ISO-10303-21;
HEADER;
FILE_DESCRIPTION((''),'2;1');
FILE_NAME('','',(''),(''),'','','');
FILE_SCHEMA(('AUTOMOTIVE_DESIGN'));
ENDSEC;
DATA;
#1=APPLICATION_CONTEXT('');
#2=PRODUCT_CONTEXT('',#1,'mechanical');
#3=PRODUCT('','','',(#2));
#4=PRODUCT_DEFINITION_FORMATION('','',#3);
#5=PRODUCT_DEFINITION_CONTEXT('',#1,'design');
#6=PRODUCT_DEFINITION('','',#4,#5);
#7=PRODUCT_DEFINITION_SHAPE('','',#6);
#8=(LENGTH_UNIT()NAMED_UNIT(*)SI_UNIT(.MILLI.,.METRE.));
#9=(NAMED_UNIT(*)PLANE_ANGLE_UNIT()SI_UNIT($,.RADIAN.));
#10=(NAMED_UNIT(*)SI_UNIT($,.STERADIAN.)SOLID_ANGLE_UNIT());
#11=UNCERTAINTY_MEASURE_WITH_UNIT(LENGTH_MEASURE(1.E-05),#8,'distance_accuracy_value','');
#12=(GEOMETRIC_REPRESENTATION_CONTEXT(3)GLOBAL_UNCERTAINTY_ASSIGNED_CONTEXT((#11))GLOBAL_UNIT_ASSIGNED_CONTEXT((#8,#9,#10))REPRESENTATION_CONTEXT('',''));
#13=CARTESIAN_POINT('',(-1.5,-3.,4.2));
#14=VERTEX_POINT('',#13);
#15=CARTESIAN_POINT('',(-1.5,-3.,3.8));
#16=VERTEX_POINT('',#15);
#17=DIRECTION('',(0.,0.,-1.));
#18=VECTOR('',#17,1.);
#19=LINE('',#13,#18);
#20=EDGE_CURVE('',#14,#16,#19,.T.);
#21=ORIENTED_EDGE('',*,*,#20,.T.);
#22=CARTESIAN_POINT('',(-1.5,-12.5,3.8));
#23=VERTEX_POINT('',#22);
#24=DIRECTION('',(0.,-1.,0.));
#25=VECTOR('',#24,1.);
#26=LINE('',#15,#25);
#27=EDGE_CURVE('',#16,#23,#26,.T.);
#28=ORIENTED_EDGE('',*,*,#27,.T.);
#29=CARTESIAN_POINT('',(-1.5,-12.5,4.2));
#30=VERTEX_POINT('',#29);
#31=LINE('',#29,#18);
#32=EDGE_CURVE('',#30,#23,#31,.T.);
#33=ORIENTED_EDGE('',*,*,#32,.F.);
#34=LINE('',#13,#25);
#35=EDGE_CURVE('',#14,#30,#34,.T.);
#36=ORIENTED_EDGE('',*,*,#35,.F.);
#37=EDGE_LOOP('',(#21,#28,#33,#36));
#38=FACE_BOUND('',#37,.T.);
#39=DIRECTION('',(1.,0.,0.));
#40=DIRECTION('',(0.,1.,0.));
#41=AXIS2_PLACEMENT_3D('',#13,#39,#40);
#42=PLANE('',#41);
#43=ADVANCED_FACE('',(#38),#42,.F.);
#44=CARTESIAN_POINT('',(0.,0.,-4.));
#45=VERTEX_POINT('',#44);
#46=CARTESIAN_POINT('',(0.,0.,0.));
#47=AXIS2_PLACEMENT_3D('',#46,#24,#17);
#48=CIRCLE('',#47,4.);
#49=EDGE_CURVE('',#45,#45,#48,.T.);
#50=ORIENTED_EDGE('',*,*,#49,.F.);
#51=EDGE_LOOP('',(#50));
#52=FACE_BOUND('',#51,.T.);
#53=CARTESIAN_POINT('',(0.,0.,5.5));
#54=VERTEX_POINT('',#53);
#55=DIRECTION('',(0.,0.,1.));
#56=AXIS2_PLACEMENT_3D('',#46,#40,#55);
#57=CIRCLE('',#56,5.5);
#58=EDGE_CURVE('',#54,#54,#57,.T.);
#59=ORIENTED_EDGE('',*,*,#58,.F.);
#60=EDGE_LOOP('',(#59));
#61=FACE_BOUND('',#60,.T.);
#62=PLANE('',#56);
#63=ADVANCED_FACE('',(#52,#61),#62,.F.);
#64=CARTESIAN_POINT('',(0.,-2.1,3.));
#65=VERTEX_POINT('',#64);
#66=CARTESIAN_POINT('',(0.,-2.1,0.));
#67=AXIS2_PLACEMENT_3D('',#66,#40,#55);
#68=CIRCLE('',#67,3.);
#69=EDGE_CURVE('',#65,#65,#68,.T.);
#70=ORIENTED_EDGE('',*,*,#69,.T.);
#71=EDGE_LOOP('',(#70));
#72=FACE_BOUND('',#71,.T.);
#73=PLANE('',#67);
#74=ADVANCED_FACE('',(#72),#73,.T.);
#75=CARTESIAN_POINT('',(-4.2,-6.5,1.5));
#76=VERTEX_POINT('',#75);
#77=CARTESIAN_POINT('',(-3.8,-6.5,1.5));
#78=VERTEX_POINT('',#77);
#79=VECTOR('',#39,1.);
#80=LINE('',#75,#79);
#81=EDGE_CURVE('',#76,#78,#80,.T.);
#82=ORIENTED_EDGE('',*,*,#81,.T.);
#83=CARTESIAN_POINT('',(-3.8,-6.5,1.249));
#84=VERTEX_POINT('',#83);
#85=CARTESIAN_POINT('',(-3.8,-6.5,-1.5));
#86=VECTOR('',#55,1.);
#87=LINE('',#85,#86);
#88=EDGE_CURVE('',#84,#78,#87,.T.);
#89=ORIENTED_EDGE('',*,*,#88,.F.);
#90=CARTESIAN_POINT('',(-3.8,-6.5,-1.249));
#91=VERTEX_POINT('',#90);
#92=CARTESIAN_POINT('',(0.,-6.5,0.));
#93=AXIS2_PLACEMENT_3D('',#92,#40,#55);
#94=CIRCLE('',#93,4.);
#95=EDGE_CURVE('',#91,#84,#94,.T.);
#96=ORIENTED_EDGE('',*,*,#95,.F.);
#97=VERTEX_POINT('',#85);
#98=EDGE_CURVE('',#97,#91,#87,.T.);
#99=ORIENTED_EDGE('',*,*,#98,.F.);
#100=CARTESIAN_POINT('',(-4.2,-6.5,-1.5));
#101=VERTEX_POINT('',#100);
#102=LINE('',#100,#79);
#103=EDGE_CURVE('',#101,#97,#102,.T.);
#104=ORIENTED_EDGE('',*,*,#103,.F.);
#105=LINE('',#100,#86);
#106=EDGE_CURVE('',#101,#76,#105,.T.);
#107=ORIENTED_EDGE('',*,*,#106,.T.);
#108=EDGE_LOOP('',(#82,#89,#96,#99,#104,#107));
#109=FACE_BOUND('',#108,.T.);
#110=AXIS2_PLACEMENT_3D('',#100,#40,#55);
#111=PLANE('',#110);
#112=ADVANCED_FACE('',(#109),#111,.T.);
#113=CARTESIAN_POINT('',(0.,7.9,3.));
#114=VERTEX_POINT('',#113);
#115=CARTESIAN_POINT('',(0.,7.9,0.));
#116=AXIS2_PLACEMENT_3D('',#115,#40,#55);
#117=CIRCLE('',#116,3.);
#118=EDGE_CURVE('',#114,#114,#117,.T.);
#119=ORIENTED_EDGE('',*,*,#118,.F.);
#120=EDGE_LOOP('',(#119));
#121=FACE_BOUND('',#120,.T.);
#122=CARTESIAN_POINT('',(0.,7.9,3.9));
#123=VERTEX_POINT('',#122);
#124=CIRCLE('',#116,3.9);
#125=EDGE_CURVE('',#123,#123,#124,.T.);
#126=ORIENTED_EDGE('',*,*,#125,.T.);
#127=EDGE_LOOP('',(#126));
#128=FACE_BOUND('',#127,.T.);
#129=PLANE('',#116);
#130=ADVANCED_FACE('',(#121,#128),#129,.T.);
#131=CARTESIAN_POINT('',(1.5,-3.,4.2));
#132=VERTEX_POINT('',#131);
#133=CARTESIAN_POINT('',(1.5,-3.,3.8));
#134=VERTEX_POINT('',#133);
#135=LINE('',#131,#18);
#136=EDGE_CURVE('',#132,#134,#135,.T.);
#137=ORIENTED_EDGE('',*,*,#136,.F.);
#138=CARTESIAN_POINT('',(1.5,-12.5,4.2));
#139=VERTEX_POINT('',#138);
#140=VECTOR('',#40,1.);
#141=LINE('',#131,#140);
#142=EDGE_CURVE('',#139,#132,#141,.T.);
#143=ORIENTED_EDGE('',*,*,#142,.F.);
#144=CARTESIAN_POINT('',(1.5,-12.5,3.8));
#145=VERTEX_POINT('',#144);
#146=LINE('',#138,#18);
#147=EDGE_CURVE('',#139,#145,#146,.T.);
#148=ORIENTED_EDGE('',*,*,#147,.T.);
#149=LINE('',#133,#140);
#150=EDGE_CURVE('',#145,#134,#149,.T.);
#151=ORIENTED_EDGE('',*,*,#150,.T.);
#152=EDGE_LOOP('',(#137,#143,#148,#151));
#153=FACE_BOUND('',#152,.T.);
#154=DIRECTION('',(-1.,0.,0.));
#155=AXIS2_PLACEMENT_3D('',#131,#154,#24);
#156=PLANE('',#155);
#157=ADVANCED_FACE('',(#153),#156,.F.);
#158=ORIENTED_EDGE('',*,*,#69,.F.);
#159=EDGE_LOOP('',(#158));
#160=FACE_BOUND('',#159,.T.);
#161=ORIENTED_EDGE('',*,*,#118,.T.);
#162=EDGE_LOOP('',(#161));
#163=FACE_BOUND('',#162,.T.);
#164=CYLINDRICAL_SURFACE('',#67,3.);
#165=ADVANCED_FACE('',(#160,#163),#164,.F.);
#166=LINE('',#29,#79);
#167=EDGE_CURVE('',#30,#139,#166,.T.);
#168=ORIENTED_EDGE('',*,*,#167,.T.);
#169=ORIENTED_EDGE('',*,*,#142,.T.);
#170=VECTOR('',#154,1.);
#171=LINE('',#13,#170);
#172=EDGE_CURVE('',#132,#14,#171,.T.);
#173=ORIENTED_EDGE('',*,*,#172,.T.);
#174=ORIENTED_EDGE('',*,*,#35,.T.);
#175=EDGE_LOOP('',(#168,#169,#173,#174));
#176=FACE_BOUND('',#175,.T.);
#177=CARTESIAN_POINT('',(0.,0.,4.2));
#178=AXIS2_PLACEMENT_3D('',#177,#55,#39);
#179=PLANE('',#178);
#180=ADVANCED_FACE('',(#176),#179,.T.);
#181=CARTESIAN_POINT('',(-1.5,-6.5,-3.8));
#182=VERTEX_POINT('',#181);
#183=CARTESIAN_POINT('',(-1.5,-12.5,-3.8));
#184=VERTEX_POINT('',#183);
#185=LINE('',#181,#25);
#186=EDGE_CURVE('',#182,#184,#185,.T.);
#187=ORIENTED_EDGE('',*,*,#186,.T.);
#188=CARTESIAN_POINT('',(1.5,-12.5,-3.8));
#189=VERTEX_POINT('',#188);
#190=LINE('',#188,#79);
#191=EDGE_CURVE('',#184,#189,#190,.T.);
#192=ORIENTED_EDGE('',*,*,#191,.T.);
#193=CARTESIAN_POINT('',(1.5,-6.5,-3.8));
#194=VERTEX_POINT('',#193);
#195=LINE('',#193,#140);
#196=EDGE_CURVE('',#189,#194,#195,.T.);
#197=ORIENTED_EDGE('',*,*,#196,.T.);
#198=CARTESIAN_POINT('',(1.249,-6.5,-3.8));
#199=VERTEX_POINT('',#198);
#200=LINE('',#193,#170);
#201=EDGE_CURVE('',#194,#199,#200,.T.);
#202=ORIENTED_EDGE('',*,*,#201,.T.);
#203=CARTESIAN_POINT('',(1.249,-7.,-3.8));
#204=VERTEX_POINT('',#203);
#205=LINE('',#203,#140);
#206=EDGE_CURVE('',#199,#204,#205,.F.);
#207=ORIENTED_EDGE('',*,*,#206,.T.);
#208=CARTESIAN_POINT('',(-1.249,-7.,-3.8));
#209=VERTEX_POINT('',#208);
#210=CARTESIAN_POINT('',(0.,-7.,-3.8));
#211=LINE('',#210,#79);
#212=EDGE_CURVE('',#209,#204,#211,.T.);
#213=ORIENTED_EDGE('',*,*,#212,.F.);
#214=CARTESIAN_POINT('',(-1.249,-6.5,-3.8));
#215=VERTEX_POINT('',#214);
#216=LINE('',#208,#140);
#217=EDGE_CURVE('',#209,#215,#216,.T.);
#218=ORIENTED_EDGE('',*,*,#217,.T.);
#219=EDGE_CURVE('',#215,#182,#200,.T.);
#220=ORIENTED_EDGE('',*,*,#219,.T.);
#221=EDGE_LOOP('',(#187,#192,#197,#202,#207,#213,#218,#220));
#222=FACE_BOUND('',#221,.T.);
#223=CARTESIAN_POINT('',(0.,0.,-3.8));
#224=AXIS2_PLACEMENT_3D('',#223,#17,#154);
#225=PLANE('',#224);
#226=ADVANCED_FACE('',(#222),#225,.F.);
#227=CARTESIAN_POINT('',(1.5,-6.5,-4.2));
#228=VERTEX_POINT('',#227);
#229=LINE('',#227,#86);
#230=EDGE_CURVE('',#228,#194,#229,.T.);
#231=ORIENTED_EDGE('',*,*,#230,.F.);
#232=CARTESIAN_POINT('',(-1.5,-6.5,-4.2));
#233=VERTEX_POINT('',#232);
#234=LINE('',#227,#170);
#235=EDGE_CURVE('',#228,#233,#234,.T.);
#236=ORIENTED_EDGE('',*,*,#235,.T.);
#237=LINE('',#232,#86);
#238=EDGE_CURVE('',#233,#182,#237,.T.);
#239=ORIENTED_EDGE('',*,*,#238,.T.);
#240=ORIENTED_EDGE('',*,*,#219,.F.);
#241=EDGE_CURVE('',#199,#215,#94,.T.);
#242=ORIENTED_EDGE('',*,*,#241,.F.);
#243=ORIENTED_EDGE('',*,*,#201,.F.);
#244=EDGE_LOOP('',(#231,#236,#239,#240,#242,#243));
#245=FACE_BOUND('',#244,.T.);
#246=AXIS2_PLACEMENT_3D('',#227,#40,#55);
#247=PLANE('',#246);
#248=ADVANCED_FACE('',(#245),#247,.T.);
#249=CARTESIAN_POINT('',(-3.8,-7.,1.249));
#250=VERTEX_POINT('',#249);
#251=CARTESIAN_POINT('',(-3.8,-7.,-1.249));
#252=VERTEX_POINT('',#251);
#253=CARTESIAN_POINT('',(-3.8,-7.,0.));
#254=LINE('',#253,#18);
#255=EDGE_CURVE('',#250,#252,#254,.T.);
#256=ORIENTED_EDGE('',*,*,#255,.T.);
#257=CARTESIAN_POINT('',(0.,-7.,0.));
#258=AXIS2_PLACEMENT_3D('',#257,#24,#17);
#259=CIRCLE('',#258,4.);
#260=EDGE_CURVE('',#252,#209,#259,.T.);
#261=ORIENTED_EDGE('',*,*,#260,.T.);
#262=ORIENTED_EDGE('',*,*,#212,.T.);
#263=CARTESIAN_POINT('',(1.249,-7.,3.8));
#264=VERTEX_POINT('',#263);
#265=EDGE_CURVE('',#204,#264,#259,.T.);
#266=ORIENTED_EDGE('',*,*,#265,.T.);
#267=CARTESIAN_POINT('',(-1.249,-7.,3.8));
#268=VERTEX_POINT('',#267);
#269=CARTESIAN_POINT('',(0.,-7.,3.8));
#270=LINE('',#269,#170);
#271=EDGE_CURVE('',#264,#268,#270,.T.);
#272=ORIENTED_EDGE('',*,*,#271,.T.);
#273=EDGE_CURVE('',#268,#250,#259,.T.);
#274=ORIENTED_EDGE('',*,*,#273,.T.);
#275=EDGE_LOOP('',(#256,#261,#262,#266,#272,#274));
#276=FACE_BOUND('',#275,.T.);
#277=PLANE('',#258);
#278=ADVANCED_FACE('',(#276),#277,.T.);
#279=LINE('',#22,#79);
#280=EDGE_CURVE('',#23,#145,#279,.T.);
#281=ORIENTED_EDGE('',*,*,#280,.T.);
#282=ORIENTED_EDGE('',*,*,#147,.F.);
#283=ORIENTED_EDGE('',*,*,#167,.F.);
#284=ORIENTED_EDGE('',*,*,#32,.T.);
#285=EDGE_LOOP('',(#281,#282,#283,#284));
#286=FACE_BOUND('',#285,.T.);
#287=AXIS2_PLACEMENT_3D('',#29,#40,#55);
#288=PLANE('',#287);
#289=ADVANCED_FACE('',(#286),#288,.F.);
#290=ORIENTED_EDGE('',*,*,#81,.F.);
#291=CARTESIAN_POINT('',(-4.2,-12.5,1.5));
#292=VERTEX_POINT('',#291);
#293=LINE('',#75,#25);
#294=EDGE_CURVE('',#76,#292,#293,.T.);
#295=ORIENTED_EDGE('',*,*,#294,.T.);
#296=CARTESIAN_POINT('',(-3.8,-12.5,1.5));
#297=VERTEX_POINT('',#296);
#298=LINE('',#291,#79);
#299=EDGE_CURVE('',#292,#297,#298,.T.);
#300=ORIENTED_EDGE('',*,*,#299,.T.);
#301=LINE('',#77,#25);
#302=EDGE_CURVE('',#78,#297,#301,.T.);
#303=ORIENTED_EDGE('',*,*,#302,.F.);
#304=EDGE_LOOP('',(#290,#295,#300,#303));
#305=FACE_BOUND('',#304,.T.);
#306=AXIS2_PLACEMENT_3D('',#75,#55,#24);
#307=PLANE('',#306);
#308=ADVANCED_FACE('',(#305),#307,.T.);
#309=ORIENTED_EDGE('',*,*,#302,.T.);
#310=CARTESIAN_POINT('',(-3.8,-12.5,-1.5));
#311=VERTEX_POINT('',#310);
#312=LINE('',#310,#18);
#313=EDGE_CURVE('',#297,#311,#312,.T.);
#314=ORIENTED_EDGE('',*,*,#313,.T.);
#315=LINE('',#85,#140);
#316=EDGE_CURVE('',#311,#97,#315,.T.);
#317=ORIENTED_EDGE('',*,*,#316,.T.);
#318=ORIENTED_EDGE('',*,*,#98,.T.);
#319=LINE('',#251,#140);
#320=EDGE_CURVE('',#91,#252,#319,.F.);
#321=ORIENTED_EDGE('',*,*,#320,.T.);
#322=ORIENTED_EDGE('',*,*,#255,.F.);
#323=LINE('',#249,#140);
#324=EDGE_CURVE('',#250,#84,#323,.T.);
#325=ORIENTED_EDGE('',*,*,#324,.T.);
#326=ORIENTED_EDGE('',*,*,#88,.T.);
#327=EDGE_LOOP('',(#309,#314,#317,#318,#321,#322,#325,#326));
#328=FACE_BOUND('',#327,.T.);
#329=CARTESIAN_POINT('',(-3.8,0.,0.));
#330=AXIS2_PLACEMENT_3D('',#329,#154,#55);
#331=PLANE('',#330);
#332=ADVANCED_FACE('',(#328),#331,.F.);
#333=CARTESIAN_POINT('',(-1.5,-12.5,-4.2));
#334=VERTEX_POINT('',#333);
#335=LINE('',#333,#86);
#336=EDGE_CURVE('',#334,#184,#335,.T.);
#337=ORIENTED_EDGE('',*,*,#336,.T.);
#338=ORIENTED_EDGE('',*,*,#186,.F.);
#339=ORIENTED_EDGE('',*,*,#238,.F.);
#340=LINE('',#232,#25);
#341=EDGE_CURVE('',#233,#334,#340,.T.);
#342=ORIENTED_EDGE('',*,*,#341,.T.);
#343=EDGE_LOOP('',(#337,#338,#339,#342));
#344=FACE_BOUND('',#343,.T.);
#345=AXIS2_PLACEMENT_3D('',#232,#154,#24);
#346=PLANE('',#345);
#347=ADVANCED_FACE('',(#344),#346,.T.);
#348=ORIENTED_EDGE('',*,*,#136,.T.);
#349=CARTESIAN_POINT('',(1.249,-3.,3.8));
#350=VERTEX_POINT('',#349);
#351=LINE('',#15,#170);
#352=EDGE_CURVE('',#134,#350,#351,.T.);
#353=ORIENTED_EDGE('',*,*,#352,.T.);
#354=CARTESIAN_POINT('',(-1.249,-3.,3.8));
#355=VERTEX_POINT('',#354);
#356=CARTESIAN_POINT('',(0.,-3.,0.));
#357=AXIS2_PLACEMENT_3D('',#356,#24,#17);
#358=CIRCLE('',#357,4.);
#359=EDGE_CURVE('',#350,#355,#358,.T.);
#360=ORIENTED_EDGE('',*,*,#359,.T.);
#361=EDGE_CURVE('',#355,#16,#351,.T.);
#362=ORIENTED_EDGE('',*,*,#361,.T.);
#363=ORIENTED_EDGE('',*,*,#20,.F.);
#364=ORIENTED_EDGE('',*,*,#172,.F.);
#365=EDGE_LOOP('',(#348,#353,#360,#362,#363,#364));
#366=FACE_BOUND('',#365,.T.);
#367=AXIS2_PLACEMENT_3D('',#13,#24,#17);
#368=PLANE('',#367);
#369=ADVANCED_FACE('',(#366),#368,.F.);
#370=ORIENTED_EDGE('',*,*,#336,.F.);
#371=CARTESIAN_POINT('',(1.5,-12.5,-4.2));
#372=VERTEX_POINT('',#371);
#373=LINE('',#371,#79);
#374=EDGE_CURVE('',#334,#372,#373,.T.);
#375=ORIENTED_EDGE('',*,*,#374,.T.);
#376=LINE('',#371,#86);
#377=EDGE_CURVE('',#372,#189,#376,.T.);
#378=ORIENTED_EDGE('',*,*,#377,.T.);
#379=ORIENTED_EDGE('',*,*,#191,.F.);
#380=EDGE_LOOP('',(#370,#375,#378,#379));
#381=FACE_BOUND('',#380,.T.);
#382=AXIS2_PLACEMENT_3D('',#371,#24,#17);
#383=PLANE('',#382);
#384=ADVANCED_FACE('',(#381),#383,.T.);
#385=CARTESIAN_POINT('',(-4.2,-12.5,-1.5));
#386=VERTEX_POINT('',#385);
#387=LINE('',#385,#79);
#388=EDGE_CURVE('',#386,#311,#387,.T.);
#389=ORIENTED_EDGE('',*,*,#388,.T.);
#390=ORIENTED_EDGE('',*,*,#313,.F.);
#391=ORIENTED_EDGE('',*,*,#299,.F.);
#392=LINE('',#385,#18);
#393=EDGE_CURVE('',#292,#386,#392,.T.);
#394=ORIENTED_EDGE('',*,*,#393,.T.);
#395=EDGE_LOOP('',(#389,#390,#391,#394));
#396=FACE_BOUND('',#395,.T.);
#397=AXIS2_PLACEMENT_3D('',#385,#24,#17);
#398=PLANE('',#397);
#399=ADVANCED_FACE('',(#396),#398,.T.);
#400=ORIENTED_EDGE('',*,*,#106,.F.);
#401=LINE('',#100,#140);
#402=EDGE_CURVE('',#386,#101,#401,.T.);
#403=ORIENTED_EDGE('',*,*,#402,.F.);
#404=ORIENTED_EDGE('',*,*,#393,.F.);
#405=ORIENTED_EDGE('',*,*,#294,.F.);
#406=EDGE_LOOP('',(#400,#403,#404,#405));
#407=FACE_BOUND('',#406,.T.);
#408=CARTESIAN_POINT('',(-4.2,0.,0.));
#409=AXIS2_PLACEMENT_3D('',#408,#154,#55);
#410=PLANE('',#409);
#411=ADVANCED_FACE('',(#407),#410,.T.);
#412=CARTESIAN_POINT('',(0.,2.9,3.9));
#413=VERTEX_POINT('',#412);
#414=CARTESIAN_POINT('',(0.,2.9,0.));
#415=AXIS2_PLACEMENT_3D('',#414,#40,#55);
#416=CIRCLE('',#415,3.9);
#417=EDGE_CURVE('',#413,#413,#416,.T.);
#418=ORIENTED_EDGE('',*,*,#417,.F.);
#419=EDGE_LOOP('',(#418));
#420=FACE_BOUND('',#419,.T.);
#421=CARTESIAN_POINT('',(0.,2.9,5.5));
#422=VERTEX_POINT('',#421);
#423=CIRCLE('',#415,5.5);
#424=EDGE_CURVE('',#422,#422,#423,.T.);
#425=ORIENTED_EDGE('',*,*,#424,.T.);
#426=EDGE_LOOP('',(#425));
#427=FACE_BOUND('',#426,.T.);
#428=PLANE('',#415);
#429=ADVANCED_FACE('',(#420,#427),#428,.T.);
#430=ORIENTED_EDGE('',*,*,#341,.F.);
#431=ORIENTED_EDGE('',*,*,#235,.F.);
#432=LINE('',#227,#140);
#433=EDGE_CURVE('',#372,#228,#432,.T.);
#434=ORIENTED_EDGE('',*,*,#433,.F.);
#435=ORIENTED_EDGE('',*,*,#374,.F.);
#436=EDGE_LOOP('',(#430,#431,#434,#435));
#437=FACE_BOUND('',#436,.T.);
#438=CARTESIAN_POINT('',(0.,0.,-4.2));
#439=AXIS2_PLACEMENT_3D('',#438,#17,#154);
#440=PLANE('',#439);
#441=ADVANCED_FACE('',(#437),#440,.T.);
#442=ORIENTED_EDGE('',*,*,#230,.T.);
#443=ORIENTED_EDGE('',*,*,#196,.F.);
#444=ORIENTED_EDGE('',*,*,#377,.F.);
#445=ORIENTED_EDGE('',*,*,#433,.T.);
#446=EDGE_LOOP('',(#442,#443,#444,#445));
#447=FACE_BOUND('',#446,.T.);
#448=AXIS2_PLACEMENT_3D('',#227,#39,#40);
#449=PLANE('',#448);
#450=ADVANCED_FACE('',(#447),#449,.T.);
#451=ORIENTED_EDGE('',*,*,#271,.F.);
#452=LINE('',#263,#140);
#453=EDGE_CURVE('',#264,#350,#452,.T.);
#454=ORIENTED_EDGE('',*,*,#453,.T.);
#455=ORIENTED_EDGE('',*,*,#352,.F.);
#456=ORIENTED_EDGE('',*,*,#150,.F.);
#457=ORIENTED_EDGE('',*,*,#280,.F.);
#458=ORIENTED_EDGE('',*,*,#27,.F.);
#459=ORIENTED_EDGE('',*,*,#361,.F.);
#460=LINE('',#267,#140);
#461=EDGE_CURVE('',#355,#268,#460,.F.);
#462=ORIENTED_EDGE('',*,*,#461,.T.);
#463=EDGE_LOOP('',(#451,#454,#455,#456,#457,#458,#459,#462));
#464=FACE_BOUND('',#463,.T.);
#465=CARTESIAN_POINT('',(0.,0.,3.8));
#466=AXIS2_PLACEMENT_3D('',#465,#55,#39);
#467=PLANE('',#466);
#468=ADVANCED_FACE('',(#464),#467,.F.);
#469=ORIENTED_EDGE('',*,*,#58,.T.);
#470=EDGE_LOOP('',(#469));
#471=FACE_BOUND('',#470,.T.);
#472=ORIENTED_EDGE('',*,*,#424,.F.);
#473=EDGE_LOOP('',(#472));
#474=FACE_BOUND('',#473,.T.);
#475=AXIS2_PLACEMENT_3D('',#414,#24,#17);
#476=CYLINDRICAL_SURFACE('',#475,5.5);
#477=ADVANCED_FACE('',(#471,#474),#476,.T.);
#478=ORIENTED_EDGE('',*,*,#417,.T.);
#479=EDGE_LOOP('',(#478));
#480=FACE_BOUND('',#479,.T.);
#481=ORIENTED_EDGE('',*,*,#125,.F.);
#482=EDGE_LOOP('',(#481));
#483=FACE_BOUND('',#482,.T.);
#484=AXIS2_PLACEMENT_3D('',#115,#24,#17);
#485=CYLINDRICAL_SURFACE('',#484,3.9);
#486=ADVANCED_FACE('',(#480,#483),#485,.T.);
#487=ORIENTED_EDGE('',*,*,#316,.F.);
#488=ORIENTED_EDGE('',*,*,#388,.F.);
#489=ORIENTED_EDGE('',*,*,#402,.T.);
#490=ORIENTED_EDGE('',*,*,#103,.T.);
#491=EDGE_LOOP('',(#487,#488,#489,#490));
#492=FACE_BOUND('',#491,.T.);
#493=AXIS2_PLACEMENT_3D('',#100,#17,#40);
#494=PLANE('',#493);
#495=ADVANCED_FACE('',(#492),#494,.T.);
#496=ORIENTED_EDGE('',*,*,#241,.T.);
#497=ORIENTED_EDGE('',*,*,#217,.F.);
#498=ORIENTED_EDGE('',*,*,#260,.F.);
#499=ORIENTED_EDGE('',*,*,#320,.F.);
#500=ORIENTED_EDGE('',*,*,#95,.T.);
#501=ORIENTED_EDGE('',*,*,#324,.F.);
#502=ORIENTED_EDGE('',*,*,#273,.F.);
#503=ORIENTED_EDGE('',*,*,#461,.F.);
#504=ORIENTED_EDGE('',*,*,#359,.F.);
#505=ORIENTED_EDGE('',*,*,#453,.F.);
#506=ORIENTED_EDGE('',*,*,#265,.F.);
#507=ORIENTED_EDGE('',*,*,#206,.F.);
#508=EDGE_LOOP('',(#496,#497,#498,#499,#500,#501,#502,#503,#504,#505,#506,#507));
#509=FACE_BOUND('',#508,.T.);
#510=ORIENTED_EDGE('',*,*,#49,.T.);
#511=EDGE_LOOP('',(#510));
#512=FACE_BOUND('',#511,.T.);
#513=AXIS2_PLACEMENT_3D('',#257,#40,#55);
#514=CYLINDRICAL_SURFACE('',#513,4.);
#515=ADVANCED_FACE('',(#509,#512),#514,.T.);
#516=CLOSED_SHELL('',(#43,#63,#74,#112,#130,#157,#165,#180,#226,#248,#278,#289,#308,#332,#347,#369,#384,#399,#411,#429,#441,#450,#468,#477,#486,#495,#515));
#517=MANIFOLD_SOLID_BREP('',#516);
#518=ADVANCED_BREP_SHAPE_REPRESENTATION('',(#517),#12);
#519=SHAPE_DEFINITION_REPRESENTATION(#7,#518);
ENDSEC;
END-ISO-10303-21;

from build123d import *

# Parameters (mm, degrees)
SCHIZZO1_R                   = 5.5
ESTRUSIONE_ESTRUSIONE1_DEPTH = 2.9
SCHIZZO2_R                   = 3.9
ESTRUSIONE_ESTRUSIONE2_DEPTH = 5
SCHIZZO3_R                   = 4
ESTRUSIONE_ESTRUSIONE3_DEPTH = 7
SCHIZZO4_R                   = 3
TAGLIO_ESTRUSIONE1_DEPTH     = 10
SCHIZZO5_W                   = 3
SCHIZZO5_H                   = 9.5
ESTRUSIONE_ESTRUSIONE4_DEPTH = 0.4
SCHIZZO7_W                   = 3
SCHIZZO7_H                   = 6
ESTRUSIONE_ESTRUSIONE5_DEPTH = 0.4
SCHIZZO8_W                   = 3
SCHIZZO8_H                   = 6
ESTRUSIONE_ESTRUSIONE6_DEPTH = 0.4


with BuildPart() as part:
    # Schizzo1 → Estrusione-Estrusione1 (new body)
    with BuildSketch(Plane(origin=(0, 0, 0), x_dir=(1, 0, 0), z_dir=(0, 1, 0))):
        with Locations(Location((0, 0, 0), (0, 0, 270))):
            Circle(SCHIZZO1_R)
    extrude(amount=ESTRUSIONE_ESTRUSIONE1_DEPTH)

    # Schizzo2 → Estrusione-Estrusione2 (add)
    with BuildSketch(Plane(origin=(0, 2.9, 0), x_dir=(1, 0, 0), z_dir=(0, 1, 0))):
        with Locations(Location((0, 0, 0), (0, 0, 270))):
            Circle(SCHIZZO2_R)
    extrude(amount=ESTRUSIONE_ESTRUSIONE2_DEPTH)

    # Schizzo3 → Estrusione-Estrusione3 (add)
    with BuildSketch(Plane.XZ):
        with Locations(Location((0, 0, 0), (0, 0, 270))):
            Circle(SCHIZZO3_R)
    extrude(amount=ESTRUSIONE_ESTRUSIONE3_DEPTH)

    # Schizzo4 → Taglio-Estrusione1 (cut)
    with BuildSketch(Plane(origin=(0, 7.9, 0), x_dir=(1, 0, 0), z_dir=(0, 1, 0))):
        with Locations(Location((0, 0, 0), (0, 0, 270))):
            Circle(SCHIZZO4_R)
    extrude(amount=-TAGLIO_ESTRUSIONE1_DEPTH, mode=Mode.SUBTRACT)

    # Schizzo5 → Estrusione-Estrusione4 (add)
    with BuildSketch(Plane.XY.offset(3.8)):
        with Locations((0, -7.75)):
            Rectangle(SCHIZZO5_W, SCHIZZO5_H)
    extrude(amount=ESTRUSIONE_ESTRUSIONE4_DEPTH)

    # Schizzo7 → Estrusione-Estrusione5 (add)
    with BuildSketch(Plane(origin=(-3.8, 0, 0), x_dir=(0, 0, -1), z_dir=(1, 0, 0))):
        with Locations((0, -9.5)):
            Rectangle(SCHIZZO7_W, SCHIZZO7_H)
    extrude(amount=-ESTRUSIONE_ESTRUSIONE5_DEPTH)

    # Schizzo8 → Estrusione-Estrusione6 (add)
    with BuildSketch(Plane.XY.offset(-3.8)):
        with Locations((0, -9.5)):
            Rectangle(SCHIZZO8_W, SCHIZZO8_H)
    extrude(amount=-ESTRUSIONE_ESTRUSIONE6_DEPTH)


solid = part.part
